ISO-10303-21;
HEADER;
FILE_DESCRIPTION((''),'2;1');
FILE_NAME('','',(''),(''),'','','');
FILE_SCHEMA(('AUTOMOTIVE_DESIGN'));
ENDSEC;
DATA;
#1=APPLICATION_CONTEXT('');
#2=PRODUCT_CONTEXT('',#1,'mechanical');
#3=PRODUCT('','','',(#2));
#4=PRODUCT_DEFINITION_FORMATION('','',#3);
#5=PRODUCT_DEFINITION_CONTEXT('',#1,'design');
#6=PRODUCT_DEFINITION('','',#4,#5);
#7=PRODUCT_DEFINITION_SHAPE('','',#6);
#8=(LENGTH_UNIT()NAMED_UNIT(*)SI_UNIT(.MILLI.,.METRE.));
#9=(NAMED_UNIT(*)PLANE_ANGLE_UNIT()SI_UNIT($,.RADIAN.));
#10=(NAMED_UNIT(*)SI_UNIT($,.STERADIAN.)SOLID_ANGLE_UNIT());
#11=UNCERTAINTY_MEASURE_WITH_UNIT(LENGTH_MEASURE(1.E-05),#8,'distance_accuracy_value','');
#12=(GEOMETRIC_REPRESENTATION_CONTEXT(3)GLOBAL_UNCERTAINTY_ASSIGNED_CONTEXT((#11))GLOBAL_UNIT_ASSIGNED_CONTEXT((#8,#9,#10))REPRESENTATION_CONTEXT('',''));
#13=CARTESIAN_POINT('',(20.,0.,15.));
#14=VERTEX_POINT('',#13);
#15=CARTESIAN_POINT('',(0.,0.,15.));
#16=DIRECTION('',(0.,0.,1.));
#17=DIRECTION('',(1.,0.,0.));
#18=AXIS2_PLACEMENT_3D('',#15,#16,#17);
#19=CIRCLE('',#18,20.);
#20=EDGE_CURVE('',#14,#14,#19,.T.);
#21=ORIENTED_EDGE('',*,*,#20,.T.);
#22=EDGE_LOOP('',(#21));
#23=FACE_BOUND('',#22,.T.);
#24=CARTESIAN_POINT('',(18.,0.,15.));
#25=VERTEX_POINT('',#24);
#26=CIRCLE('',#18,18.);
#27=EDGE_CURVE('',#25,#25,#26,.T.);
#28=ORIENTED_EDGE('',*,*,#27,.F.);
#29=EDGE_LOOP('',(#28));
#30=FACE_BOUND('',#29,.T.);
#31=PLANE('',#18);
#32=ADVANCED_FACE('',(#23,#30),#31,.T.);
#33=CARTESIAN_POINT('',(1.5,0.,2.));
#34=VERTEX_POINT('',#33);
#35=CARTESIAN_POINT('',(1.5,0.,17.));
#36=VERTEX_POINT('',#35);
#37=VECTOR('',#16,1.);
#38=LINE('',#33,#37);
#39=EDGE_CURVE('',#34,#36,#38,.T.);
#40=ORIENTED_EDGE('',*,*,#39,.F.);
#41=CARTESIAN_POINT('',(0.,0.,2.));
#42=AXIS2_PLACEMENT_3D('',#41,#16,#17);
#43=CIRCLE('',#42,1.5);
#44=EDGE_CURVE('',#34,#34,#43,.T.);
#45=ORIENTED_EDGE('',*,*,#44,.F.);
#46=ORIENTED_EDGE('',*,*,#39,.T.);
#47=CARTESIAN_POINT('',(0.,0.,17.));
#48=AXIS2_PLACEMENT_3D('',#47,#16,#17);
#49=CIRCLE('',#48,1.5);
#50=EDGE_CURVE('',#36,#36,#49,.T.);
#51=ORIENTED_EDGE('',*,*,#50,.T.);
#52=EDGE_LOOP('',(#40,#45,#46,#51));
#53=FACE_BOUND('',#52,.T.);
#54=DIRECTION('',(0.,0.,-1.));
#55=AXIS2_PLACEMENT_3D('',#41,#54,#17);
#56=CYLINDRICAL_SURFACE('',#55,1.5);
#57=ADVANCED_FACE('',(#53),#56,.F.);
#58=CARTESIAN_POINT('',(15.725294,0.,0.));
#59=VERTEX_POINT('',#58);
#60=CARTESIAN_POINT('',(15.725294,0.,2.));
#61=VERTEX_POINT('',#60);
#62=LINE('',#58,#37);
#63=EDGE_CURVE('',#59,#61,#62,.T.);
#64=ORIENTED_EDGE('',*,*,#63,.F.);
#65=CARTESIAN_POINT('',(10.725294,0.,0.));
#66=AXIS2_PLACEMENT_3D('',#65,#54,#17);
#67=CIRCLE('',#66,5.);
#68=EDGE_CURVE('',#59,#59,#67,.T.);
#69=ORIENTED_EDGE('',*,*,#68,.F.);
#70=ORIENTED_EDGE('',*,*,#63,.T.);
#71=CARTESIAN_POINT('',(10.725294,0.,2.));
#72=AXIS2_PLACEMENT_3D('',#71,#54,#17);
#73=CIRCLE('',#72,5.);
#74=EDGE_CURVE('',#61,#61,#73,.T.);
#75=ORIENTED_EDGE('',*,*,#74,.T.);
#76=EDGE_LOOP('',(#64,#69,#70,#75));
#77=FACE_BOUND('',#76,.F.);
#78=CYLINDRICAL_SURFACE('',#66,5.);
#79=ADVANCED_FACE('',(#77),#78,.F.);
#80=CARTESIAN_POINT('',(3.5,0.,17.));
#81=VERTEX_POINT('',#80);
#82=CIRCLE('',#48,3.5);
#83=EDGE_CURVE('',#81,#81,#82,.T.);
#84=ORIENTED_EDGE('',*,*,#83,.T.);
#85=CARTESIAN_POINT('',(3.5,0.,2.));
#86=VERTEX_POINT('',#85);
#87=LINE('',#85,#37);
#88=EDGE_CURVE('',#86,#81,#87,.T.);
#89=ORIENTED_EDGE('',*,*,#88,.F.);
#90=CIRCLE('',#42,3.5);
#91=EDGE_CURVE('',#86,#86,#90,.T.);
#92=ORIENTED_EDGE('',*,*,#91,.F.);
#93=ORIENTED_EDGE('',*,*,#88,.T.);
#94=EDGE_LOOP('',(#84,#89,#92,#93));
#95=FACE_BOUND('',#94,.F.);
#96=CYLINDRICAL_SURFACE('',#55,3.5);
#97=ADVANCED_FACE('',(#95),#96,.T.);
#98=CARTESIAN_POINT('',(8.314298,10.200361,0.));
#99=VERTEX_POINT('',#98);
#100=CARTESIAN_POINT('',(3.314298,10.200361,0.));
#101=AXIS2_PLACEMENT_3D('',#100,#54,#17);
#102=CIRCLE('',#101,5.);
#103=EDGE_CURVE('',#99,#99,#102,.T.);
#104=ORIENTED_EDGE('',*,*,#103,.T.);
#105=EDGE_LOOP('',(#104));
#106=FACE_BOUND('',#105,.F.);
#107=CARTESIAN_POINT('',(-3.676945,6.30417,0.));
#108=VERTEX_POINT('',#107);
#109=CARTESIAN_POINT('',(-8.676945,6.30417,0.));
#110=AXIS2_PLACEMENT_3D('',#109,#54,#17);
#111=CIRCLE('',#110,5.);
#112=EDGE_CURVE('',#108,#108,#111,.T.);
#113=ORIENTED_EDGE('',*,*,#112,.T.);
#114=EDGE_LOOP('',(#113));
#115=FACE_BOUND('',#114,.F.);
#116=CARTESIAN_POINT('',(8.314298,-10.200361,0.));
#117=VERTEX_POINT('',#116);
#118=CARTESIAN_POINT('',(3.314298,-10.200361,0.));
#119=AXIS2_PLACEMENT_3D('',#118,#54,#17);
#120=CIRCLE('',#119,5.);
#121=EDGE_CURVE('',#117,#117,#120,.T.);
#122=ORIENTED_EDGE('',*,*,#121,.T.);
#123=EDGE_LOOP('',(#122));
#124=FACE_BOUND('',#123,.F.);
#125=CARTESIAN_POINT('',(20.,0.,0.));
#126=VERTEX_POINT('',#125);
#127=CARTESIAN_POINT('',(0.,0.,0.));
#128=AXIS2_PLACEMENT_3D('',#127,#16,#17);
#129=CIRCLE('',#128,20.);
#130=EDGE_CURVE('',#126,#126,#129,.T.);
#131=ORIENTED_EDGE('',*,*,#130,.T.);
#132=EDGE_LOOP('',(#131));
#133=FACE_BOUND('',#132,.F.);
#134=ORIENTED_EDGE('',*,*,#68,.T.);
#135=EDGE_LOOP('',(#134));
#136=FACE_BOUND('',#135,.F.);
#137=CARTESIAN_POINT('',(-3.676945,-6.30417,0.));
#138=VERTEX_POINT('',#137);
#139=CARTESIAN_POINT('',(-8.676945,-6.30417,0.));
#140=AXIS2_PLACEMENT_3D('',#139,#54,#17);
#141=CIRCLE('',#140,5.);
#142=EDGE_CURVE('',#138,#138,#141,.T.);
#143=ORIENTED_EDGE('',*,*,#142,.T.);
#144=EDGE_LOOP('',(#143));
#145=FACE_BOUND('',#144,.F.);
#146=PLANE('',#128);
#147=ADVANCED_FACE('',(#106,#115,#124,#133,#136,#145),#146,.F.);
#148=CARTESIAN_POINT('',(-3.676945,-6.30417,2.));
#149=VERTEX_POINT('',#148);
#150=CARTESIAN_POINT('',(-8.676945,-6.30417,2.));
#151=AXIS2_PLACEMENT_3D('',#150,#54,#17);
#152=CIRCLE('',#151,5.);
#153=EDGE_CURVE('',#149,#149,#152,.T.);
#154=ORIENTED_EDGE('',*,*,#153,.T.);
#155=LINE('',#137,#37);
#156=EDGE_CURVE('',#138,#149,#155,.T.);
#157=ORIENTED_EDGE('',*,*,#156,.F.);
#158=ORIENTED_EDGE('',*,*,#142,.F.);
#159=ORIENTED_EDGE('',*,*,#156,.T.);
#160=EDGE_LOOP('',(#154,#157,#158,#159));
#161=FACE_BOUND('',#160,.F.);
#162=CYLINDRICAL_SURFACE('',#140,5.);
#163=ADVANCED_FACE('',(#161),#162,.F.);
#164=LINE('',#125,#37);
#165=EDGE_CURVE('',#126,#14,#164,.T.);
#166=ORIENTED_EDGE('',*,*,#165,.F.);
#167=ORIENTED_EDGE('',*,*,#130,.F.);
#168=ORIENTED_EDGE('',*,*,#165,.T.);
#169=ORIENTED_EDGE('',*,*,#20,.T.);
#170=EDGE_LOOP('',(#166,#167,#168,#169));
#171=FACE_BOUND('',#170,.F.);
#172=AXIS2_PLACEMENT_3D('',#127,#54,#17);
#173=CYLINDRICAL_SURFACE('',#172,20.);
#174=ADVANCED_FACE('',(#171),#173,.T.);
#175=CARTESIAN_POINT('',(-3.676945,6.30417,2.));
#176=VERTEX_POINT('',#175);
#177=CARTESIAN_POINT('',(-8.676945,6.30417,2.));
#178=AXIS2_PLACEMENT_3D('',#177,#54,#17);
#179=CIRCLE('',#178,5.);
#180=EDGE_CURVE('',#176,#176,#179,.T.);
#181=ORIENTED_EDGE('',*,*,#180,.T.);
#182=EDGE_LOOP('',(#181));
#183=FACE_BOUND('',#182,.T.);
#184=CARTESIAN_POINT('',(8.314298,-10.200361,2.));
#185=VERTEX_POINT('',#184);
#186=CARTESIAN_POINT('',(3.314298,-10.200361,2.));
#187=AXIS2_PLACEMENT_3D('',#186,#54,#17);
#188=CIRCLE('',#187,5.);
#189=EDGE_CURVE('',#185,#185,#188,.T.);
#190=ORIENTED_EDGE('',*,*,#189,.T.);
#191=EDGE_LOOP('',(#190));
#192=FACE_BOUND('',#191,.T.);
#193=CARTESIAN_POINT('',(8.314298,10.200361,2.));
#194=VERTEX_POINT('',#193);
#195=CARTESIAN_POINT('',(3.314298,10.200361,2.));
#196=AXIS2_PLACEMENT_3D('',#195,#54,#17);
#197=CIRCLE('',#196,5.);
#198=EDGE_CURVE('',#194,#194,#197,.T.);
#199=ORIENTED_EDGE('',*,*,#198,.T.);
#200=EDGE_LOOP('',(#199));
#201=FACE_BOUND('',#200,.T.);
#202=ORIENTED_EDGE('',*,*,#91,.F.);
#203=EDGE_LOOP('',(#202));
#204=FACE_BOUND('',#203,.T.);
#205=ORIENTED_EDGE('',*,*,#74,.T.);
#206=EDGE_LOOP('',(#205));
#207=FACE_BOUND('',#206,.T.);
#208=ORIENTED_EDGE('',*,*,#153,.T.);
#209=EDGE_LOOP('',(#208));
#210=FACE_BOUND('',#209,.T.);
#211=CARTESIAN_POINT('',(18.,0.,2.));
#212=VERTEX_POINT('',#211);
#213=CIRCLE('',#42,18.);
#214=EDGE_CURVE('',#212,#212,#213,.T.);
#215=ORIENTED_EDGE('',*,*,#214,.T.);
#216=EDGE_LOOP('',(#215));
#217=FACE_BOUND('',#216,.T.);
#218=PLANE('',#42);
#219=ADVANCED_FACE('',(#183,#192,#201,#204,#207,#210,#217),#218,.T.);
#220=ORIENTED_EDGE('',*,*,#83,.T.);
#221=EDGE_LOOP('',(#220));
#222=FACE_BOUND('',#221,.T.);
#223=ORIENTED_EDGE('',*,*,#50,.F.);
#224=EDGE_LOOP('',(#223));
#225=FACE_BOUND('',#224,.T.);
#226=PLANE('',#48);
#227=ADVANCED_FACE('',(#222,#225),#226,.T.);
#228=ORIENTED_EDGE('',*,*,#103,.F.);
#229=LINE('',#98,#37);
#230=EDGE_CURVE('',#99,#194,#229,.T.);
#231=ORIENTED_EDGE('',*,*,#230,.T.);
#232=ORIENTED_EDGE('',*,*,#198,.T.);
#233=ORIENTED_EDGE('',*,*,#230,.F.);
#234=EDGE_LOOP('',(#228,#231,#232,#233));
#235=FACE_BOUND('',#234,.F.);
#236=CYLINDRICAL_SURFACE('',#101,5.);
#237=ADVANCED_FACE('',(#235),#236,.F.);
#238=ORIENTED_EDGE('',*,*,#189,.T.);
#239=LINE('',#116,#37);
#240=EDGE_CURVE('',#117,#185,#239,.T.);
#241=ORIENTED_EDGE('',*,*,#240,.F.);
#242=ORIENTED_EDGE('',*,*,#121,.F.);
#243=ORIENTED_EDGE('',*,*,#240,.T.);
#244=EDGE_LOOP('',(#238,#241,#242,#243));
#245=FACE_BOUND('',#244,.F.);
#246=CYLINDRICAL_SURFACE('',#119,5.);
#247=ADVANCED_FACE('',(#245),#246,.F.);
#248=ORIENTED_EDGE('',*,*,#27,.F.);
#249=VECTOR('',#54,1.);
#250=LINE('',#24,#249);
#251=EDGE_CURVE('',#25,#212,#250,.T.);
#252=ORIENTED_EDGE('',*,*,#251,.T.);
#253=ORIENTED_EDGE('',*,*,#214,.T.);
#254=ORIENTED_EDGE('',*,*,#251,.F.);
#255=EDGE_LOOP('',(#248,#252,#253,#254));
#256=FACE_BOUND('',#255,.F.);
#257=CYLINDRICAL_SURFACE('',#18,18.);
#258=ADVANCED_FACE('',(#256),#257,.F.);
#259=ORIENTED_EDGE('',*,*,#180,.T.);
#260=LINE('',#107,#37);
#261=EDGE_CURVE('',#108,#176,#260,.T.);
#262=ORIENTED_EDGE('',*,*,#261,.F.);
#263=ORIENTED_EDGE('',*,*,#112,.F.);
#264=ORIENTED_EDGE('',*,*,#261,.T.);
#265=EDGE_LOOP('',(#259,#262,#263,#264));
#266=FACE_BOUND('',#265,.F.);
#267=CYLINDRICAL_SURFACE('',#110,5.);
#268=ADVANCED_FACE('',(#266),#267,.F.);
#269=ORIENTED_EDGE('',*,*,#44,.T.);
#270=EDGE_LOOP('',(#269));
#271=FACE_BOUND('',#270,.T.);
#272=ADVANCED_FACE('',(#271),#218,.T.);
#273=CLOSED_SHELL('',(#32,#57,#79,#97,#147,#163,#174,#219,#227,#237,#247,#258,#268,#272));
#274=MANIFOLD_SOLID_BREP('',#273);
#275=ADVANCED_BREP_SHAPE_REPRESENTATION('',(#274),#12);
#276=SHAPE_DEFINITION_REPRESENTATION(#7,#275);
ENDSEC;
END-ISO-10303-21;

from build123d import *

# Parameters (mm, degrees)
F0_R     = 20
F1_DEPTH = 15
F2_R     = 18
F3_DEPTH = 13
F4_R     = 3.5
F4_R_2   = 1.5
F5_DEPTH = 15
F6_R     = 5
F7_DEPTH = 2


with BuildPart() as f1:
    # F0 (on Top) → F1 (new body)
    with BuildSketch(Plane.XY):
        Circle(F0_R)
    extrude(amount=F1_DEPTH)

    # F2 (on face) → F3 (cut)
    with BuildSketch(Plane.XY.offset(15)):
        Circle(F2_R)
    extrude(amount=-F3_DEPTH, mode=Mode.SUBTRACT)

    # F4 (on face) → F5 (join)
    with BuildSketch(Plane.XY.offset(2)):
        Circle(F4_R)
        Circle(F4_R_2, mode=Mode.SUBTRACT)
    extrude(amount=F5_DEPTH)

    # F6 (on face) → F7 (cut)
    with BuildSketch(Plane(origin=(0, 0, 0), x_dir=(1, 0, 0), z_dir=(0, 0, -1))):
        with Locations((10.725294, 0)):
            Circle(F6_R)
        with Locations((3.314298, -10.200361)):
            Circle(F6_R)
        with Locations((-8.676945, -6.30417)):
            Circle(F6_R)
        with Locations((-8.676945, 6.30417)):
            Circle(F6_R)
        with Locations((3.314298, 10.200361)):
            Circle(F6_R)
    extrude(amount=-F7_DEPTH, mode=Mode.SUBTRACT)


solid = f1.part
